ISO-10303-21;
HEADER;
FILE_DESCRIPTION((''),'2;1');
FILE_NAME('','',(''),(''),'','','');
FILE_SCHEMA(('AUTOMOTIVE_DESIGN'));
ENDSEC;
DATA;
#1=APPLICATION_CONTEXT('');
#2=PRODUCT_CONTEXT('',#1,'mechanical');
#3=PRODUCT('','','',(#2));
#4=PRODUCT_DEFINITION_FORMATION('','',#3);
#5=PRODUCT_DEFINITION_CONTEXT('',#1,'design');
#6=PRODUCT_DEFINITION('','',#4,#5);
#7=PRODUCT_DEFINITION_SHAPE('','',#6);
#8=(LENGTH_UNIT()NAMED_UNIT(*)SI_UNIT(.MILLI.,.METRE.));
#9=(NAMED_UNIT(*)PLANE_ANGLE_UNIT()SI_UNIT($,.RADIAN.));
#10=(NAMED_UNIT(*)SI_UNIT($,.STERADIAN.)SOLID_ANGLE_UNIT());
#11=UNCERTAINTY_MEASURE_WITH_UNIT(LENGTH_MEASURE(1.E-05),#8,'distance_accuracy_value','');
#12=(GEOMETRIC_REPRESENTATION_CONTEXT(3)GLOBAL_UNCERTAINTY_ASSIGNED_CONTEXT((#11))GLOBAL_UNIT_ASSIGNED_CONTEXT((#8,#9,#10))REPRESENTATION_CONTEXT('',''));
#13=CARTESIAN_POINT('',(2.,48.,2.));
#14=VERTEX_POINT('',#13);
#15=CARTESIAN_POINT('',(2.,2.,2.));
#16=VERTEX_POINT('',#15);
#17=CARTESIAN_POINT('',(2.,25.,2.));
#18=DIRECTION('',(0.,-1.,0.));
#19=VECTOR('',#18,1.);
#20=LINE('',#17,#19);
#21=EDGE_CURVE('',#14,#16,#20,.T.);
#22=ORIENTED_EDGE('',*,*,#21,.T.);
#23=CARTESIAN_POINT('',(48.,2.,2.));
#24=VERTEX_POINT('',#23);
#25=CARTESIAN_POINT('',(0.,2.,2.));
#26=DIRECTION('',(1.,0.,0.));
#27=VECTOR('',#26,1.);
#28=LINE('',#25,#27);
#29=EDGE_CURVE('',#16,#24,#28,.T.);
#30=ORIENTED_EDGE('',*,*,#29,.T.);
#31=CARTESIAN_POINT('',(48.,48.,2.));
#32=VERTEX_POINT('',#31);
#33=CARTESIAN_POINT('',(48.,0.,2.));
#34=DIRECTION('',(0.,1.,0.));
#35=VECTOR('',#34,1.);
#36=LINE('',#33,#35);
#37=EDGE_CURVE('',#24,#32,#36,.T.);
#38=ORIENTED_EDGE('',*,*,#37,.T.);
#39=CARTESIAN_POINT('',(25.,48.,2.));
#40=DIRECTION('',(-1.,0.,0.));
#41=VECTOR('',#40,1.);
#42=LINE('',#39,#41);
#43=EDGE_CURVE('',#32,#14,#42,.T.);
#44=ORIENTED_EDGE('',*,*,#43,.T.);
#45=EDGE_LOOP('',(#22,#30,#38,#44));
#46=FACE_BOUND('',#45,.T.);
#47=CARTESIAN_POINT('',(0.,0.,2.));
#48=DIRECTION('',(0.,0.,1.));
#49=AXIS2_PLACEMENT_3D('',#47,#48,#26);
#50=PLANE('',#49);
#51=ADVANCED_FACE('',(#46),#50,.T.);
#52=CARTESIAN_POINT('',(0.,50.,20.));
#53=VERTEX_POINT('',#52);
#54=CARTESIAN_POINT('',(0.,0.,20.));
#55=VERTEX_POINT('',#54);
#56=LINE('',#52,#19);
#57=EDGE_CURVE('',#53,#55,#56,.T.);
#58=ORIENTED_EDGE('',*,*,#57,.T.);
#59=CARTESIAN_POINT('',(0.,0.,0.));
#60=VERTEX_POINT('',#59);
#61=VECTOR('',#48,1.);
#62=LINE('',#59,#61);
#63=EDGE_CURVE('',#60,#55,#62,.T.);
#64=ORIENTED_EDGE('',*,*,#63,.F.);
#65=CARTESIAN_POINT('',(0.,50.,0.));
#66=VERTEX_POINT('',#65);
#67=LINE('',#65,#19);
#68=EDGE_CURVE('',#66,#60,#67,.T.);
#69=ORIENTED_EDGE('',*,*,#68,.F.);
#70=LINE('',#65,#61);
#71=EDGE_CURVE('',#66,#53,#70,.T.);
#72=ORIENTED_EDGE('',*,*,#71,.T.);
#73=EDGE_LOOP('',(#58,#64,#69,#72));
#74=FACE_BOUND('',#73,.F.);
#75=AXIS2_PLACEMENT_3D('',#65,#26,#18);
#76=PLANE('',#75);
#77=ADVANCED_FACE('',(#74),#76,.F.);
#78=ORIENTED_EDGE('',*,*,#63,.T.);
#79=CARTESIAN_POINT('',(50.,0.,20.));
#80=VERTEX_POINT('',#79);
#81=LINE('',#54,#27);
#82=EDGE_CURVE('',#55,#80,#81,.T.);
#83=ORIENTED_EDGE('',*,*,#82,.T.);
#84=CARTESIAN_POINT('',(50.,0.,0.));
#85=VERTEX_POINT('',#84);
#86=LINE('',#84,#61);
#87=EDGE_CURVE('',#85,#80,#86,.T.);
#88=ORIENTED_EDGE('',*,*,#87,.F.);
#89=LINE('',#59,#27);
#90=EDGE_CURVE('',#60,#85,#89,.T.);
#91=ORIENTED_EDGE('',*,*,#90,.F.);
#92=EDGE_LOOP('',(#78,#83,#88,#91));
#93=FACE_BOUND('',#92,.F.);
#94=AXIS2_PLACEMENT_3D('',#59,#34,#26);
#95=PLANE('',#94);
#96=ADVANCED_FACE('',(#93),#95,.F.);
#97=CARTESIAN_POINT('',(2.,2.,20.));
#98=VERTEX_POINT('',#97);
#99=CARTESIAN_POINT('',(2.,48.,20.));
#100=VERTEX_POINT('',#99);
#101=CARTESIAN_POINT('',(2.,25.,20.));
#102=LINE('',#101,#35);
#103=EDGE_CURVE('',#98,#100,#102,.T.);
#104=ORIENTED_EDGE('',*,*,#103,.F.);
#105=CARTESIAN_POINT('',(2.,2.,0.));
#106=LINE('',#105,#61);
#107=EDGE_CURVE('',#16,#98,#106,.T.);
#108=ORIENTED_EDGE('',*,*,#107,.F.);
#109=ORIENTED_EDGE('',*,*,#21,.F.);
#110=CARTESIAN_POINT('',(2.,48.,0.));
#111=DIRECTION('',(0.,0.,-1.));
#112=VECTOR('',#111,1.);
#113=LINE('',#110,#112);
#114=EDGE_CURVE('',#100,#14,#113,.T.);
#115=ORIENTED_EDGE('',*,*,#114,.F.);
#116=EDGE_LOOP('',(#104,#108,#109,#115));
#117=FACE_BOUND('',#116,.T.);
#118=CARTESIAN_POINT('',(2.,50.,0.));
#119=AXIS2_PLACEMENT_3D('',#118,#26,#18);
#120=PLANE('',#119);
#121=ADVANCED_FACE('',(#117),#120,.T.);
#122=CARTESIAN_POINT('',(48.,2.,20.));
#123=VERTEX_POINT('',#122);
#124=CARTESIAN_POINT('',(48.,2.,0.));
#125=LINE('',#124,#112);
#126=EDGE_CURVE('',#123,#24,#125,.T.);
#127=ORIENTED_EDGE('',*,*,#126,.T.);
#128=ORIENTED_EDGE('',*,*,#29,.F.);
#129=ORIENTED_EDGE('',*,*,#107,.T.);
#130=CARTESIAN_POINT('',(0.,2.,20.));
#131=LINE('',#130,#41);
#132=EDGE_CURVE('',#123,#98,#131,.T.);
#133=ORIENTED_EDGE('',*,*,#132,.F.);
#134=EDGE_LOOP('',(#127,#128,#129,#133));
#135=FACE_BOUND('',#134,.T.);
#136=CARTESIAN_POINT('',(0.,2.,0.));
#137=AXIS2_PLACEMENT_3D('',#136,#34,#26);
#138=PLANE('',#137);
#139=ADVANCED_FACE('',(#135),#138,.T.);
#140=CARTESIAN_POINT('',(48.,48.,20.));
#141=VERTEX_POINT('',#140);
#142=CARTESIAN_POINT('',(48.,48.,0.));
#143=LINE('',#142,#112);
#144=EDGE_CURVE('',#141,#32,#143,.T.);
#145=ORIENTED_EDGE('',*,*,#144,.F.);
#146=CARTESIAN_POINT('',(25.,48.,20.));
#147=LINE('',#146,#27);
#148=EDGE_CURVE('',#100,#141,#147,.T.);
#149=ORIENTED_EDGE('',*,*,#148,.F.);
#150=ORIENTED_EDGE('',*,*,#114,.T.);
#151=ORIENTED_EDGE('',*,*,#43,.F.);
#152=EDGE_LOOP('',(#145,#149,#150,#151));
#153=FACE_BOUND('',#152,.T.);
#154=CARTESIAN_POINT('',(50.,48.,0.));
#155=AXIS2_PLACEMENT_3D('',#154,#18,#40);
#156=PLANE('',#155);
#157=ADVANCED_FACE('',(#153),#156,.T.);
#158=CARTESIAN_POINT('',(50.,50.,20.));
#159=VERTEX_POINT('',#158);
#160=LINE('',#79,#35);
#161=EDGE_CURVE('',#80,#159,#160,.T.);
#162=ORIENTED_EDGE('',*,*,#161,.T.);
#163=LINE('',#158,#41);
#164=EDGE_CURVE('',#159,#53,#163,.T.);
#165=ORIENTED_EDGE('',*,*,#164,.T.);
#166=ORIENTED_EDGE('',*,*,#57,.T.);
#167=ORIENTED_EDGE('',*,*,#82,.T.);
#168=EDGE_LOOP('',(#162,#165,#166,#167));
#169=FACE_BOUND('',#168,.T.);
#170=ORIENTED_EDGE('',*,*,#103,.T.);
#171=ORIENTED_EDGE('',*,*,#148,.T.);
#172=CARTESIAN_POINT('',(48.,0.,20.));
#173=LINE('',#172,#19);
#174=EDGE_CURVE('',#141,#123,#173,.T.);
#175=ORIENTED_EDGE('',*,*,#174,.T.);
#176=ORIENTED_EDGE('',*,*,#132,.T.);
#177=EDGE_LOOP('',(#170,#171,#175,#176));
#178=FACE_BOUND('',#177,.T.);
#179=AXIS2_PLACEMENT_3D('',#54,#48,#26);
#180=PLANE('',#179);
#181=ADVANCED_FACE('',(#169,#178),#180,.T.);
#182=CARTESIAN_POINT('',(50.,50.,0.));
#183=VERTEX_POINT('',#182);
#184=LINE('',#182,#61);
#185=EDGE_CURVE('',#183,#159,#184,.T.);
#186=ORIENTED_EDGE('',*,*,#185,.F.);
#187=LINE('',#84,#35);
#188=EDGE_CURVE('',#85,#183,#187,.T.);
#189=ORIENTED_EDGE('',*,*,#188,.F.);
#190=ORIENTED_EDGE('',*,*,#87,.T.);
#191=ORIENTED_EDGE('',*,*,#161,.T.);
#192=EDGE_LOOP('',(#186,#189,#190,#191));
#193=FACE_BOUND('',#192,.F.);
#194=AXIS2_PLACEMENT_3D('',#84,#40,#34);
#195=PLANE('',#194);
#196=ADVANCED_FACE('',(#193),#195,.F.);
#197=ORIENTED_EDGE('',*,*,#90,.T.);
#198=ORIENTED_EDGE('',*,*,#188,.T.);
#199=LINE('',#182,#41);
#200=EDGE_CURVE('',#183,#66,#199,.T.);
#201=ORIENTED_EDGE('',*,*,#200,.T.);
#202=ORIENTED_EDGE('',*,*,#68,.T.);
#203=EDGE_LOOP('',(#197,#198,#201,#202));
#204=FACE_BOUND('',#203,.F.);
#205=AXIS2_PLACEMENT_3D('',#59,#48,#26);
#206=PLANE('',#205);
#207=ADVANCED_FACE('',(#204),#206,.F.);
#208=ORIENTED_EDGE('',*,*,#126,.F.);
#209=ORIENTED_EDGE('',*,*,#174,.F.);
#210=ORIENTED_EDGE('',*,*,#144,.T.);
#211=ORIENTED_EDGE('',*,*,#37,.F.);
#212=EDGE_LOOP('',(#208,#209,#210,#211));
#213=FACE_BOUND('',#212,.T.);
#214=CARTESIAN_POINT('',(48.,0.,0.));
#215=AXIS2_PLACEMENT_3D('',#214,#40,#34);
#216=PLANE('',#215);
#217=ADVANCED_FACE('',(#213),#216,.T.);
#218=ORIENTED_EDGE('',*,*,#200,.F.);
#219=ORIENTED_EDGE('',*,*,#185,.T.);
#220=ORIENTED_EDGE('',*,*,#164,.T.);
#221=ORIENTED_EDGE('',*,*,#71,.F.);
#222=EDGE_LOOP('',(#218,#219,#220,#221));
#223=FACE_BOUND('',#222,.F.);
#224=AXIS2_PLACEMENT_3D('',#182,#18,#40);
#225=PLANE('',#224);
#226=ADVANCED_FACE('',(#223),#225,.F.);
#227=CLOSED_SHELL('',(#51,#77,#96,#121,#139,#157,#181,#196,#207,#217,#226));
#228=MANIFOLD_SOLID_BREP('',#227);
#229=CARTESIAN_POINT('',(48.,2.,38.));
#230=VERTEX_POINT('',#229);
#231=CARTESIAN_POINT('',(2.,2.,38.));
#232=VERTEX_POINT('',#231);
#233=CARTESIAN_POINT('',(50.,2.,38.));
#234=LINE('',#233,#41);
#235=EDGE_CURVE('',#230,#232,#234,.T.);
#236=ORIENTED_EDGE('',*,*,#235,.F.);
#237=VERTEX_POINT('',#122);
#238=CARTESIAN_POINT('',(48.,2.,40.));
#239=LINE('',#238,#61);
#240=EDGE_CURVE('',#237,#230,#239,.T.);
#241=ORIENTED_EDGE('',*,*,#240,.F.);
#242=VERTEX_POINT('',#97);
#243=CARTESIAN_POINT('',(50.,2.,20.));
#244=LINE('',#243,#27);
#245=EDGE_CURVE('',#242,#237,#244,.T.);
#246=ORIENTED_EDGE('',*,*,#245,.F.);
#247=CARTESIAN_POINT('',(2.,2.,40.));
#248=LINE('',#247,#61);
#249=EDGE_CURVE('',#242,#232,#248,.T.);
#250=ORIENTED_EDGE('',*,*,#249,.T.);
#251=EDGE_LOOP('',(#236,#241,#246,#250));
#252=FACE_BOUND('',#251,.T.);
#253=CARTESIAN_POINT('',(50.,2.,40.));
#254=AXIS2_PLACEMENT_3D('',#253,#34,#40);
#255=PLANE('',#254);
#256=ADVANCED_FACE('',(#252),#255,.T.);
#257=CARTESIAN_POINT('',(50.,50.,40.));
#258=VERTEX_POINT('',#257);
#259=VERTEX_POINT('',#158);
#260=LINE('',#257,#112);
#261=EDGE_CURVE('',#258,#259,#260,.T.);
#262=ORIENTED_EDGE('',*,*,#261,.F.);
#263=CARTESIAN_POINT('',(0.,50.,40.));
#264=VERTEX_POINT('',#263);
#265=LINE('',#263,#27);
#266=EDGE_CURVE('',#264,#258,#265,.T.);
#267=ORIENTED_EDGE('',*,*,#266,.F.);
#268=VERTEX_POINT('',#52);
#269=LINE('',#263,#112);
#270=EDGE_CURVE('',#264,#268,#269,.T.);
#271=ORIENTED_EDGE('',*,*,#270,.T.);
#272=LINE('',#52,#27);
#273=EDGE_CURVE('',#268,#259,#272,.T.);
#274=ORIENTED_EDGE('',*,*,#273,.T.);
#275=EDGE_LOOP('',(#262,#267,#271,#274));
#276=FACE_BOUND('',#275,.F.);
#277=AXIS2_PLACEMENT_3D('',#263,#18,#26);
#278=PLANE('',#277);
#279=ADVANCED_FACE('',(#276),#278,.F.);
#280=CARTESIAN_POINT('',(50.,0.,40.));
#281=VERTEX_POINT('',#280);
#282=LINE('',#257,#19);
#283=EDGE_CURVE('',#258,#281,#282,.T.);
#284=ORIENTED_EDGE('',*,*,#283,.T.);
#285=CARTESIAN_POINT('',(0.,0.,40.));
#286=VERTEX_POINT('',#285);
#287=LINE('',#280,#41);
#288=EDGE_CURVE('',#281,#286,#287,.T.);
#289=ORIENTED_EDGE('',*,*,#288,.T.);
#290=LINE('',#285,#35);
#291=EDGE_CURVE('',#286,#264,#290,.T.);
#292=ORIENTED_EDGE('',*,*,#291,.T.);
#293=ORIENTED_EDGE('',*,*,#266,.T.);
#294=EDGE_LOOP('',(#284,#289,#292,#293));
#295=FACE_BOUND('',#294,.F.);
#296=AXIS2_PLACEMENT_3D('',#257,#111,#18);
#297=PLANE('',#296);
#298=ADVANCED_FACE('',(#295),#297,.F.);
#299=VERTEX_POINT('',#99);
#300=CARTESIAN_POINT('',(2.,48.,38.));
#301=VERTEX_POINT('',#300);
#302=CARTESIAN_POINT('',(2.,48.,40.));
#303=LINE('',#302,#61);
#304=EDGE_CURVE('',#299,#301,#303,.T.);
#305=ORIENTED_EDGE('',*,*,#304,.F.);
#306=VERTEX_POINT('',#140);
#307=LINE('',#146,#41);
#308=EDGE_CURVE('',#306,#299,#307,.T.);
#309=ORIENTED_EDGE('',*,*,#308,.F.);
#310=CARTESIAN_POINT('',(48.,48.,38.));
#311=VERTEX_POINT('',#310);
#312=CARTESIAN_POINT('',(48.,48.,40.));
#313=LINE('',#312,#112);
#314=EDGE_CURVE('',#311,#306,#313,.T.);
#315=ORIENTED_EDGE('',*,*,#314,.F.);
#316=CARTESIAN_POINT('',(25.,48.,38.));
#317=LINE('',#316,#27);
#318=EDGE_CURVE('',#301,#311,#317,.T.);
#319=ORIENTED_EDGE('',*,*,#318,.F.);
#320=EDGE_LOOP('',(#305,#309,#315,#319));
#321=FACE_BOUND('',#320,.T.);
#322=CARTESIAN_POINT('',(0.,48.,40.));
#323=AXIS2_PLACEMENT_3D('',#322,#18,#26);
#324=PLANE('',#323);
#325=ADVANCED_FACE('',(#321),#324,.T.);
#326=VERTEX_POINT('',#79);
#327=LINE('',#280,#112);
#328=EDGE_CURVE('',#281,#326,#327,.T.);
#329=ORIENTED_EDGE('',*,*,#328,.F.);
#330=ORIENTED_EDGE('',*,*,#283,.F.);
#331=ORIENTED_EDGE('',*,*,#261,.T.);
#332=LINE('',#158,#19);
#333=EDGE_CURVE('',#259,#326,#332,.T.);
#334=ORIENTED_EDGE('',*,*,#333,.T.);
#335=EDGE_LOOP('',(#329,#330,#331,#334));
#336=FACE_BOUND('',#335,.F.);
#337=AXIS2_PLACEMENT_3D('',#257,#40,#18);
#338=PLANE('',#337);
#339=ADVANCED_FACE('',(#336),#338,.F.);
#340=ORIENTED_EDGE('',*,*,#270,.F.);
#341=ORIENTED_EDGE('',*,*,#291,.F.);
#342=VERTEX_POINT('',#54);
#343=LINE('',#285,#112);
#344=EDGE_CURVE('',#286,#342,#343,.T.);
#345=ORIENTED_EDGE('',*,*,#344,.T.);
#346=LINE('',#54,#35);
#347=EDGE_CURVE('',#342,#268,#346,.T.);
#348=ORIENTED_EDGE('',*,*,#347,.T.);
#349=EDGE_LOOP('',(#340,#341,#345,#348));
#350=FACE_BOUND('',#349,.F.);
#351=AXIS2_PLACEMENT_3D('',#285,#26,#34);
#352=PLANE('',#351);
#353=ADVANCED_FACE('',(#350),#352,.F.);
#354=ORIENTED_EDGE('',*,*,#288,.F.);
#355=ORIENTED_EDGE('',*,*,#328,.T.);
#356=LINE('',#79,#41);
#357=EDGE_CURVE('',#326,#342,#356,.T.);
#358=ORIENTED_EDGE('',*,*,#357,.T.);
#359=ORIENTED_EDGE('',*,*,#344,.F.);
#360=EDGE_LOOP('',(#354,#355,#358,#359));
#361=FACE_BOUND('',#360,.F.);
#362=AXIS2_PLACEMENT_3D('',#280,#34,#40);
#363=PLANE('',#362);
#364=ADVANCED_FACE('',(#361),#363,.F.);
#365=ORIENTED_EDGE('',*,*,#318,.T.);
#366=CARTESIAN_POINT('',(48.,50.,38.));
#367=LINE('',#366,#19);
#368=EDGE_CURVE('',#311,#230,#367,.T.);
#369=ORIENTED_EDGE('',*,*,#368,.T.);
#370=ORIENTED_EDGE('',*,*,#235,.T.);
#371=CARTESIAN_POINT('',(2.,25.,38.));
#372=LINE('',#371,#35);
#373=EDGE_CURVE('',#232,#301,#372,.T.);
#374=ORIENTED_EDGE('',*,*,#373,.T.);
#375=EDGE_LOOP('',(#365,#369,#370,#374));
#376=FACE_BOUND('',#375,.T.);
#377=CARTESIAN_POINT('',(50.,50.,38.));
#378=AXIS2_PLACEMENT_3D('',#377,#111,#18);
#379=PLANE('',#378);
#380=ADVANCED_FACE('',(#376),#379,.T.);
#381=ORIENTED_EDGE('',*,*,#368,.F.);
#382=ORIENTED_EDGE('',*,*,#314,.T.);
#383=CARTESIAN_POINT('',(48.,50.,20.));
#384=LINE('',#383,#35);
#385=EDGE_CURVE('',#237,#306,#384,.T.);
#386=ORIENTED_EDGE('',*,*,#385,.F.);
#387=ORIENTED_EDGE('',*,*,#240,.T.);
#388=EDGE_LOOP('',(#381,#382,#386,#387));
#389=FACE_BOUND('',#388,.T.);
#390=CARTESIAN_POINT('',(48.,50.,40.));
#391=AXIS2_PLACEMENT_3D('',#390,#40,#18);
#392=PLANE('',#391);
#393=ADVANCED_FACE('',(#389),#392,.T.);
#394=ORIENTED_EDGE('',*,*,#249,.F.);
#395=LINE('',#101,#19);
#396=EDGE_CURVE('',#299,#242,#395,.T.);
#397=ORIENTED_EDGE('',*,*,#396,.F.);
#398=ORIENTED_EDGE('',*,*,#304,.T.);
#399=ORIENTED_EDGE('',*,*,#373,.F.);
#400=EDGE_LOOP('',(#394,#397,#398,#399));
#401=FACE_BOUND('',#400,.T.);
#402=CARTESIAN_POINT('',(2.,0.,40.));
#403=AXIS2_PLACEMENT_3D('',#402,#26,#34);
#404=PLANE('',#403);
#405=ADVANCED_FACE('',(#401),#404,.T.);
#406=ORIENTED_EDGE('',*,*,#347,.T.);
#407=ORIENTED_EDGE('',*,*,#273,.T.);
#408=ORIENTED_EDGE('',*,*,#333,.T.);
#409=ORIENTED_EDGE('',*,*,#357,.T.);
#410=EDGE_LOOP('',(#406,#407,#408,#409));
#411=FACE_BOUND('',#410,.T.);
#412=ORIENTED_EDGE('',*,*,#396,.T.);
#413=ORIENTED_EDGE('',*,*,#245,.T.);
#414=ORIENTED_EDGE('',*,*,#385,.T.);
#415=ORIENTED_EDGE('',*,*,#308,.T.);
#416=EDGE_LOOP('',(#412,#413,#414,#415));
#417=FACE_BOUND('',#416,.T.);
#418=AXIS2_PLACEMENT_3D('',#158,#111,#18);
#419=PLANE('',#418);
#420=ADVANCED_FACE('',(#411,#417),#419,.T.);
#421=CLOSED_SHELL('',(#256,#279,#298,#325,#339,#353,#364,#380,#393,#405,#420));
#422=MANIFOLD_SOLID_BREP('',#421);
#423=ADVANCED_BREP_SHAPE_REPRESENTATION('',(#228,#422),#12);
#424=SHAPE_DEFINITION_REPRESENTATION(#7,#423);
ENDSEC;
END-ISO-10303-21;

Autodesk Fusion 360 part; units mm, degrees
sketch "Sketch1" plane through (0, 0, 0) normal (0, 0, 1) x (1, 0, 0) in component "BoxBottom"
  line L0 (0, 0) -> (50, 0)
  line L1 (50, 0) -> (50, 50)
  line L2 (50, 50) -> (0, 50)
  line L3 (0, 50) -> (0, 0)
  dimension "d3" = 50
  dimension "d4" = 50
extrude "Extrude1" add sketch "Sketch1" along normal blind 20 makes body 1 in component "BoxBottom"
shell "Shell1" thickness 2 removed faces 1 at (16.6667, 33.3333, 20) on bodies 1 in component "BoxBottom"
sketch "Sketch1 (2)" plane through (0, 0, 0) normal (0, 0, 1) x (1, 0, 0) in component "BoxTop"
  line L0 (0, 0) -> (50, 0)
  line L1 (50, 0) -> (50, 50)
  line L2 (50, 50) -> (0, 50)
  line L3 (0, 50) -> (0, 0)
  dimension "d3_1" = 50
  dimension "d4_1" = 50
extrude "Extrude1'" add sketch "Sketch1 (2)" along normal blind 20 separate body makes body 2 in component "BoxTop"
shell "Shell1'" thickness 2 removed faces 1 at (16.6667, 33.3333, 20) on bodies 2 in component "BoxTop"
component "BoxBottom" placed x (1, 0, 0) y (0, 1, 0) z (0, 0, 1) at (0, 0, 0)
component "BoxTop" placed x (0, -1, 0) y (-1, 0, 0) z (0, 0, -1) at (50, 50, 40)
equation "Box_Width = 50 mm"
equation "Box_Height = 20 mm"
equation "d3 = Box_Width"
equation "d4 = Box_Width"
equation "d5 = Box_Height"
equation "WallThickness = 2 mm"
equation "d3_1 = Box_Width"
equation "d4_1 = Box_Width"
equation "d5_1 = Box_Height"
equation "WallThickness_1 = 2 mm"
